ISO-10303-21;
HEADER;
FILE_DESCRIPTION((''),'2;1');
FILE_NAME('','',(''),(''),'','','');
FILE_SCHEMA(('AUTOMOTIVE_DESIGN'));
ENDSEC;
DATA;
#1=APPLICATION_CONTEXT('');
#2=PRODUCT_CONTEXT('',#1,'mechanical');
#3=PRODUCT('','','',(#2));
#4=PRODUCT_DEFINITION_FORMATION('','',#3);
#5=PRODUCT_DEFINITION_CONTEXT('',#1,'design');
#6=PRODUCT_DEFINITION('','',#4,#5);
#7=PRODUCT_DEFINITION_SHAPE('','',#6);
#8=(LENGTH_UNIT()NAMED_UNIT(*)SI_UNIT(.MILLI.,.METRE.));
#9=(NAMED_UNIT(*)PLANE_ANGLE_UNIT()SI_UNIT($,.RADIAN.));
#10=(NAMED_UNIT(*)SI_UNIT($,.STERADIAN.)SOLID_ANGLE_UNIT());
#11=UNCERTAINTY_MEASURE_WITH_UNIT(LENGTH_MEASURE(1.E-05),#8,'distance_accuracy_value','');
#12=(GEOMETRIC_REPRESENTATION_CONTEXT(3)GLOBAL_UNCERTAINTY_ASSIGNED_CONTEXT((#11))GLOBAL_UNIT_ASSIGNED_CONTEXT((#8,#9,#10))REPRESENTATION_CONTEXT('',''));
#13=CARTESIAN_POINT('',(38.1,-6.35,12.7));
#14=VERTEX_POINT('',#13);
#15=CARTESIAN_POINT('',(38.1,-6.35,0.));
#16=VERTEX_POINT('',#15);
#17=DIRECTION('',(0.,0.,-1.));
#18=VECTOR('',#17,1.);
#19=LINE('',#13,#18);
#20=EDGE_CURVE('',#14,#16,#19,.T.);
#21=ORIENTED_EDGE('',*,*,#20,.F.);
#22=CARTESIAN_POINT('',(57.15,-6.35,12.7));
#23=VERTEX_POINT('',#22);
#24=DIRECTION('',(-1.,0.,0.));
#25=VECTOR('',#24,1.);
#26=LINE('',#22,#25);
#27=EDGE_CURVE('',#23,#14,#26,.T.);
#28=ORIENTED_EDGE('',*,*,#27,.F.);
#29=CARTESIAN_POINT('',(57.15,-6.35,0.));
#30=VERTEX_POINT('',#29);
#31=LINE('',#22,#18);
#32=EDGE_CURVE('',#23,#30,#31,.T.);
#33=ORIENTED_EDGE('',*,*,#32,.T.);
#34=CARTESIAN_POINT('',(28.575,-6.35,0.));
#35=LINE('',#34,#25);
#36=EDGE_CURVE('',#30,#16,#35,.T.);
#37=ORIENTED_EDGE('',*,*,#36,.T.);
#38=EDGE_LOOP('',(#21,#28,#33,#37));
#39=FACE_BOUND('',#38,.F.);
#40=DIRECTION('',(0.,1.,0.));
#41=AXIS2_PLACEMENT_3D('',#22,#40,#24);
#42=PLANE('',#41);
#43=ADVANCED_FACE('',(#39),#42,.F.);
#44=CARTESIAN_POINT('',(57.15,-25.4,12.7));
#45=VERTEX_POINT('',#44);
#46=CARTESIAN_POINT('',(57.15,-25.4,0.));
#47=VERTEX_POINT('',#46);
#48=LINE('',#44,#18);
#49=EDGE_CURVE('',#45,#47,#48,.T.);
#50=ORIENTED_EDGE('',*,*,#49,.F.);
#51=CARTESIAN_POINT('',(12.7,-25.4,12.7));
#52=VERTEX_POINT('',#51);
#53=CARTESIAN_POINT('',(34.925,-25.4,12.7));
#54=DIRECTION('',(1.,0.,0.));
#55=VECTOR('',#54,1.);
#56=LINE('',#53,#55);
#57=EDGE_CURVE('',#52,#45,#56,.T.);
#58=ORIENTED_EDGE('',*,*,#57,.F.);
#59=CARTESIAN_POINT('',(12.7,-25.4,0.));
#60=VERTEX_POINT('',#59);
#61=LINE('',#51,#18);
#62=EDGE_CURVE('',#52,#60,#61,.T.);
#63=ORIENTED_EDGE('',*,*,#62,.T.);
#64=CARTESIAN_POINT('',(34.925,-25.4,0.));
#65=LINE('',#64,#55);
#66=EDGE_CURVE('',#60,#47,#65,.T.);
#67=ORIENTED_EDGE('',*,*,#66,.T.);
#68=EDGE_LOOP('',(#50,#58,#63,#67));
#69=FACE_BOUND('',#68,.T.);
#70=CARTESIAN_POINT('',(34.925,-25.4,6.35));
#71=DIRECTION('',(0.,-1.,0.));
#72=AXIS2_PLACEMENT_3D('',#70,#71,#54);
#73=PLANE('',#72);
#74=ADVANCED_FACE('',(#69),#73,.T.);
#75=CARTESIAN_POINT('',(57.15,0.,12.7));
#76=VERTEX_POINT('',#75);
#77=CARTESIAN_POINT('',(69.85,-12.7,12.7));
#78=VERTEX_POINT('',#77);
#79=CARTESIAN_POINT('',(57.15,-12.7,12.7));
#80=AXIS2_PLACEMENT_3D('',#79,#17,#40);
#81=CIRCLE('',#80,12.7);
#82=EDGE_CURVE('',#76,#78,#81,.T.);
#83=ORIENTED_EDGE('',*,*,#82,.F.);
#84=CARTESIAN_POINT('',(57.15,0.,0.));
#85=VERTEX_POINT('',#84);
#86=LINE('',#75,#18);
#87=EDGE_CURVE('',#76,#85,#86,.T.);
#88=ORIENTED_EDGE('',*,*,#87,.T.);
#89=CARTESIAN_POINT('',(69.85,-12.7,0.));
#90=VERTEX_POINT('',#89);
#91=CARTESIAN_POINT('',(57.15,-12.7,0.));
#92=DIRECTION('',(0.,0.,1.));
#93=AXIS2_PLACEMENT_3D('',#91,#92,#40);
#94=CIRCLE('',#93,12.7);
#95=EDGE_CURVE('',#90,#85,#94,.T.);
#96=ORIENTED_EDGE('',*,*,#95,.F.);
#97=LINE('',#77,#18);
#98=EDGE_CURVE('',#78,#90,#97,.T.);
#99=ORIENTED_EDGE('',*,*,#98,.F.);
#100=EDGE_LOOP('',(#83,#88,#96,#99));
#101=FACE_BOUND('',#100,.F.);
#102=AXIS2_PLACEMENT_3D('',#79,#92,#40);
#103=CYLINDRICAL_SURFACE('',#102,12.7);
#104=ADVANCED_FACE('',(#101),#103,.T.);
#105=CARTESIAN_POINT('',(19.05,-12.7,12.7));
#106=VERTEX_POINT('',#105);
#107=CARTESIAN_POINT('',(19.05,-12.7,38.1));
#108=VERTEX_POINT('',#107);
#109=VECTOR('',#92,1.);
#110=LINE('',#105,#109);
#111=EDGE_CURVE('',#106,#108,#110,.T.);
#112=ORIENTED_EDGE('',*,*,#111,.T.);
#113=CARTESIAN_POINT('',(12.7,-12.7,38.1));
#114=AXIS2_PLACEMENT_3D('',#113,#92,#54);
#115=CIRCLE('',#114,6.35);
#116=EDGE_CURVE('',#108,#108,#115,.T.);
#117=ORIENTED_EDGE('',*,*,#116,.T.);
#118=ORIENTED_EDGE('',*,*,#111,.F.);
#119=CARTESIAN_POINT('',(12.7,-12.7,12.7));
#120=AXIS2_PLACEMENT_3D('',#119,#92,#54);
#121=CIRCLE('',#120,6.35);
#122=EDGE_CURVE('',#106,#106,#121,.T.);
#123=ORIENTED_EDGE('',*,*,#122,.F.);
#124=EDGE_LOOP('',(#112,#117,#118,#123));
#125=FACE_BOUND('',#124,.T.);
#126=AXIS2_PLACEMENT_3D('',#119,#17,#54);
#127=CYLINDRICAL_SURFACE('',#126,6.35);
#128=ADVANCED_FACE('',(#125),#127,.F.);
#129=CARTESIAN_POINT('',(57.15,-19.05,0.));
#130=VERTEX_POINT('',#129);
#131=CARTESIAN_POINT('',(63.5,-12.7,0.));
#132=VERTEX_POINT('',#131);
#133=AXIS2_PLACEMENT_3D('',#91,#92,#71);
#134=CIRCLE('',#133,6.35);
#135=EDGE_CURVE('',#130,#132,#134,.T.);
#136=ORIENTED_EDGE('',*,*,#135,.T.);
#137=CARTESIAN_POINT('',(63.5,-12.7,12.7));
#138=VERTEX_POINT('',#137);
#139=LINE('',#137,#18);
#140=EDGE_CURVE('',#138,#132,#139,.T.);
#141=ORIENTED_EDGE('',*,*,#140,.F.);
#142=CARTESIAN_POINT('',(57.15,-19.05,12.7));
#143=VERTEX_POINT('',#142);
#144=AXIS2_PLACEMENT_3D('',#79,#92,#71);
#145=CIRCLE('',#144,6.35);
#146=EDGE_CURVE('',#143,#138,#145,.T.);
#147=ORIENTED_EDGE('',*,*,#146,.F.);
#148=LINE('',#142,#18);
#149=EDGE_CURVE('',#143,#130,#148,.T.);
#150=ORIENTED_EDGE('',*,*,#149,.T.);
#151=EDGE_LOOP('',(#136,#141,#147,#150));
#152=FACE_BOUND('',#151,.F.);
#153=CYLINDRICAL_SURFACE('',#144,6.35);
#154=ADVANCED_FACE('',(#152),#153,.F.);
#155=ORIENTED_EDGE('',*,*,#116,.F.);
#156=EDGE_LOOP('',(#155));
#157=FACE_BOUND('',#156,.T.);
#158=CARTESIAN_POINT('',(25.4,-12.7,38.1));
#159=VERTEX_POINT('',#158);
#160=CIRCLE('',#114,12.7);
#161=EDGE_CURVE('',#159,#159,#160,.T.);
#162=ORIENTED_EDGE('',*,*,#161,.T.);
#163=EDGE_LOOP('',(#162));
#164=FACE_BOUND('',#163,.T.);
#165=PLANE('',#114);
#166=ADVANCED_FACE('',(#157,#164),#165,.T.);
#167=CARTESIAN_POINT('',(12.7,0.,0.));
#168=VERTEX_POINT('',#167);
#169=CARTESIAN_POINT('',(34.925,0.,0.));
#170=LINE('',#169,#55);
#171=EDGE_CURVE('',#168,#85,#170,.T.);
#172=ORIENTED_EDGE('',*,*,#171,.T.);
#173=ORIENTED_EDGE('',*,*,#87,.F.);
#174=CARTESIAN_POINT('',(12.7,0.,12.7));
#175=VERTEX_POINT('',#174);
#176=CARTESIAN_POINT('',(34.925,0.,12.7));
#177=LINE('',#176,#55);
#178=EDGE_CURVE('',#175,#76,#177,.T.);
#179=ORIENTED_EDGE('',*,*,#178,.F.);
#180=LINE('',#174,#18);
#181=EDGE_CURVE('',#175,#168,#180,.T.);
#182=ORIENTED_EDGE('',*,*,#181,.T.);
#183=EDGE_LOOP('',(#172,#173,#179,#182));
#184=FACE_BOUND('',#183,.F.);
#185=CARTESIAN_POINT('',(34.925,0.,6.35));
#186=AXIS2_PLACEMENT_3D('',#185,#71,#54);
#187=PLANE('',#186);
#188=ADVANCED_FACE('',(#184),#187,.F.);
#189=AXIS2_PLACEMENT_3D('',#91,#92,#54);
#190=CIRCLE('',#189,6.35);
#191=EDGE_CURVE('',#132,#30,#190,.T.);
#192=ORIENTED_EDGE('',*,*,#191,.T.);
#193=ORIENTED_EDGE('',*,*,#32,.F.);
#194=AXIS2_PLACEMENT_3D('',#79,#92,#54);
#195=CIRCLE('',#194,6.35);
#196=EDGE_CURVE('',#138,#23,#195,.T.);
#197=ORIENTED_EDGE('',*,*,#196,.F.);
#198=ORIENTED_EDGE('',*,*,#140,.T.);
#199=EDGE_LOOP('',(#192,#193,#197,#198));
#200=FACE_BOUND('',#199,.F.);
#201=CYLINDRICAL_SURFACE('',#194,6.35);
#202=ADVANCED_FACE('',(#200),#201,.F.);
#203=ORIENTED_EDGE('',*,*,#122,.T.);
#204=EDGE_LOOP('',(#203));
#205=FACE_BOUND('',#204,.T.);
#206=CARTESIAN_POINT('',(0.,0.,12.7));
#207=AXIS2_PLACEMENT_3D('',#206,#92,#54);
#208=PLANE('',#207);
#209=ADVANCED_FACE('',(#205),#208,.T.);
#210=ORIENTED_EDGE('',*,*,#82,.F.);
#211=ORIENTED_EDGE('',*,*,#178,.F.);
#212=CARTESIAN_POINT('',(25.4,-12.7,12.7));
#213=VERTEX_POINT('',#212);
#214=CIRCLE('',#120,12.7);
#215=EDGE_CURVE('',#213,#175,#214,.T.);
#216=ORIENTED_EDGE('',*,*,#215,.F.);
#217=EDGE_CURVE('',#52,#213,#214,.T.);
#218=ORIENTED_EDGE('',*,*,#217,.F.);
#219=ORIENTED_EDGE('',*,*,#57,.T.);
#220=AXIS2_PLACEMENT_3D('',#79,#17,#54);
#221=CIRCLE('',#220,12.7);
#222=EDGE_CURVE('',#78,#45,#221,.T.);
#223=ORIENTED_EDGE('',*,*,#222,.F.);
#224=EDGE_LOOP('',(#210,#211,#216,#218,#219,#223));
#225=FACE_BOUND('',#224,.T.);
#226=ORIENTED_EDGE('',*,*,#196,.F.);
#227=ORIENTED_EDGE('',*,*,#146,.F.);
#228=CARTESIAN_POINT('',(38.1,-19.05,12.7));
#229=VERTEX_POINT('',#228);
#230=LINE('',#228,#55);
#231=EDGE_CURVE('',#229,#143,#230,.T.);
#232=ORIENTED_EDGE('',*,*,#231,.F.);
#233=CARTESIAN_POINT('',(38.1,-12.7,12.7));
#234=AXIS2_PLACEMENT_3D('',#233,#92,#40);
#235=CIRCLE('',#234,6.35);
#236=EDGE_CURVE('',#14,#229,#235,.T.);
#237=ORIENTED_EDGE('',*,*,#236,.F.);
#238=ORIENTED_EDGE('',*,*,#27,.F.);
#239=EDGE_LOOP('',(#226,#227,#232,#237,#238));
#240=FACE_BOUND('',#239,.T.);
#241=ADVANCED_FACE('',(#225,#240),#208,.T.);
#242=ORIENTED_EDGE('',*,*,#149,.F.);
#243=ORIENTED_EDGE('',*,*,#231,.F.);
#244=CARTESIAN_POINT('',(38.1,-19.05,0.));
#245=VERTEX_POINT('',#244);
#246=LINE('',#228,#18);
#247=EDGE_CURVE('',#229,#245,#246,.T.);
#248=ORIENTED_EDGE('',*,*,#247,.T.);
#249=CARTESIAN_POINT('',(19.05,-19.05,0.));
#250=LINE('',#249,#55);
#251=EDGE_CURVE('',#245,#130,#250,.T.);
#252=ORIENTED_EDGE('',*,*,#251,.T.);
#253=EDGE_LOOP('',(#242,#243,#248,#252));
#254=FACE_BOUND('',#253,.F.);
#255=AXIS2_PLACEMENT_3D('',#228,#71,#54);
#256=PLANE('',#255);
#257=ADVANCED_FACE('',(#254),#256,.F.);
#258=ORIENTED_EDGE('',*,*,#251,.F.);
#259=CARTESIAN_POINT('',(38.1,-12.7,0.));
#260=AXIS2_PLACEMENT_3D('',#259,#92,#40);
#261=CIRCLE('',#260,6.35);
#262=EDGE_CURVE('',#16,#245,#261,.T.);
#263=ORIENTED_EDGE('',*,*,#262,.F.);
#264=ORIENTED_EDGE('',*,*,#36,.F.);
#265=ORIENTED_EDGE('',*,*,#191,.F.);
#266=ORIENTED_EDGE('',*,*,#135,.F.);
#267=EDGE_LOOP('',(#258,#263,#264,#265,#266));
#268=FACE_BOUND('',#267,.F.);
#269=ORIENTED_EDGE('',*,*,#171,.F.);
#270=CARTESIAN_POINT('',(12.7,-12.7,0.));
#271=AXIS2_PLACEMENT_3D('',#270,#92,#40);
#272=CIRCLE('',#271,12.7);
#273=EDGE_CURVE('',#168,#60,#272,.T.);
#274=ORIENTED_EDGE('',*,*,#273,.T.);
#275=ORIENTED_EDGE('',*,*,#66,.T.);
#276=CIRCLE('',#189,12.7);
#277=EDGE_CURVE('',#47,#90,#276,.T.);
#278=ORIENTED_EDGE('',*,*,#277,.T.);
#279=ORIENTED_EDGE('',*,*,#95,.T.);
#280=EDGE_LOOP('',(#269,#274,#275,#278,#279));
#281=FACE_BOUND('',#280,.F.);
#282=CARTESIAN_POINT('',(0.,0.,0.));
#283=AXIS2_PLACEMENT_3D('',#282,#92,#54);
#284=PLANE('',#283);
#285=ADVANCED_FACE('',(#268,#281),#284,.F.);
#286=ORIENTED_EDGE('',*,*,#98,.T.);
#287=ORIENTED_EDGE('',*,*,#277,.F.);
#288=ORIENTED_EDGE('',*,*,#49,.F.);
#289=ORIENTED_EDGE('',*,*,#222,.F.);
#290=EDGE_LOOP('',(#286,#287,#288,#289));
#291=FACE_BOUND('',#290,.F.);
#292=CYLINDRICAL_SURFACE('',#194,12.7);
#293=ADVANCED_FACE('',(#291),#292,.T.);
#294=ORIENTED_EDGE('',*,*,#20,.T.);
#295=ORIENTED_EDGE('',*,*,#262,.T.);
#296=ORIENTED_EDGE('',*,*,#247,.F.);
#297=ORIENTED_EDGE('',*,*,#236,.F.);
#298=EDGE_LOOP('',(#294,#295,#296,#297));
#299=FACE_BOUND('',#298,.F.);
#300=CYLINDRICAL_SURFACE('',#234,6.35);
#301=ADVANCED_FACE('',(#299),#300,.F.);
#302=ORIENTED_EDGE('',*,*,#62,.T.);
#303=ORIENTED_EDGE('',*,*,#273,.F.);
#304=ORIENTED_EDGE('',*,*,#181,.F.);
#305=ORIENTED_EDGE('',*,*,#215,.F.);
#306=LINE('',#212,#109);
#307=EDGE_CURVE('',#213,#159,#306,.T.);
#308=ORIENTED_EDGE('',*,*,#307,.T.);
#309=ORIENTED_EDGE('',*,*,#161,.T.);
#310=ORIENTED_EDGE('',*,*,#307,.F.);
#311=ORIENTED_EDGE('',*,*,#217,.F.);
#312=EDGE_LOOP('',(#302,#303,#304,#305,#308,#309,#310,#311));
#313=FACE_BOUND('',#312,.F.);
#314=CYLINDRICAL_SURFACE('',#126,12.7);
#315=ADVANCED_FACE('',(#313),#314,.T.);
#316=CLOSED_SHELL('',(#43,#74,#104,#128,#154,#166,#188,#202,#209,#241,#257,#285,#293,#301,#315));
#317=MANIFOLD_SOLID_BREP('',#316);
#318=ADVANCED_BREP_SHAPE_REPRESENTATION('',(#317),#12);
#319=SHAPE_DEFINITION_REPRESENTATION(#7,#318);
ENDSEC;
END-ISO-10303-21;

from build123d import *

# Parameters (mm, degrees)
F0_W     = 69.85
F0_H     = 12.7
F1_DEPTH = 25.4
F2_R     = 12.7
F2_R_2   = 6.35
F3_DEPTH = 25.4
F4_DEPTH = 25.4
F6_DEPTH = 25.4


with BuildPart() as f1:
    # F0 (on Front) → F1 (new body)
    with BuildSketch(Plane.XZ):
        with Locations((34.925, 6.35)):
            Rectangle(F0_W, F0_H)
    extrude(amount=F1_DEPTH)

    # F2 (on face) → F3 (join)
    with BuildSketch(Plane.XY.offset(12.7)):
        with Locations((12.7, -12.7)):
            Circle(F2_R)
        with Locations((12.7, -12.7)):
            Circle(F2_R_2, mode=Mode.SUBTRACT)
    extrude(amount=F3_DEPTH)

    # F4 (cut): faces of the model
    f4_faces = [f1.faces().sort_by_distance(p)[0] for p in [
        (2.8367728246, -22.5632271754, 12.7),
        (2.8367728246, -2.8367728246, 12.7),
    ]]
    extrude(f4_faces, amount=-F4_DEPTH, mode=Mode.SUBTRACT)

    # F5 (on face) → F6 (cut)
    with BuildSketch(Plane.XY.offset(12.7)):
        with BuildLine():
            ThreePointArc((38.1, -19.05), (42.5901280605, -17.1901280605), (44.45, -12.7))
            ThreePointArc((44.45, -12.7), (42.5901280605, -8.2098719395), (38.1, -6.35))
            ThreePointArc((38.1, -6.35), (31.75, -12.7), (38.1, -19.05))
        make_face()
        with BuildLine():
            ThreePointArc((38.1, -6.35), (42.5901280605, -8.2098719395), (44.45, -12.7))
            ThreePointArc((44.45, -12.7), (42.5901280605, -17.1901280605), (38.1, -19.05))
            Line((38.1, -19.05), (57.15, -19.05))
            ThreePointArc((57.15, -19.05), (50.8, -12.7), (57.15, -6.35))
            Line((57.15, -6.35), (38.1, -6.35))
        make_face()
        with BuildLine():
            ThreePointArc((63.5, -12.7), (61.6401280605, -8.2098719395), (57.15, -6.35))
            ThreePointArc((57.15, -6.35), (50.8, -12.7), (57.15, -19.05))
            ThreePointArc((57.15, -19.05), (61.6401280605, -17.1901280605), (63.5, -12.7))
        make_face()
        with BuildLine():
            ThreePointArc((57.15, 0), (66.1302561211, -3.7197438789), (69.85, -12.7))
            Line((69.85, -12.7), (69.85, 0))
            Line((69.85, 0), (57.15, 0))
        make_face()
        with BuildLine():
            ThreePointArc((69.85, -12.7), (66.1302561211, -21.6802561211), (57.15, -25.4))
            Line((57.15, -25.4), (69.85, -25.4))
            Line((69.85, -25.4), (69.85, -12.7))
        make_face()
    extrude(amount=-F6_DEPTH, mode=Mode.SUBTRACT)


solid = f1.part
